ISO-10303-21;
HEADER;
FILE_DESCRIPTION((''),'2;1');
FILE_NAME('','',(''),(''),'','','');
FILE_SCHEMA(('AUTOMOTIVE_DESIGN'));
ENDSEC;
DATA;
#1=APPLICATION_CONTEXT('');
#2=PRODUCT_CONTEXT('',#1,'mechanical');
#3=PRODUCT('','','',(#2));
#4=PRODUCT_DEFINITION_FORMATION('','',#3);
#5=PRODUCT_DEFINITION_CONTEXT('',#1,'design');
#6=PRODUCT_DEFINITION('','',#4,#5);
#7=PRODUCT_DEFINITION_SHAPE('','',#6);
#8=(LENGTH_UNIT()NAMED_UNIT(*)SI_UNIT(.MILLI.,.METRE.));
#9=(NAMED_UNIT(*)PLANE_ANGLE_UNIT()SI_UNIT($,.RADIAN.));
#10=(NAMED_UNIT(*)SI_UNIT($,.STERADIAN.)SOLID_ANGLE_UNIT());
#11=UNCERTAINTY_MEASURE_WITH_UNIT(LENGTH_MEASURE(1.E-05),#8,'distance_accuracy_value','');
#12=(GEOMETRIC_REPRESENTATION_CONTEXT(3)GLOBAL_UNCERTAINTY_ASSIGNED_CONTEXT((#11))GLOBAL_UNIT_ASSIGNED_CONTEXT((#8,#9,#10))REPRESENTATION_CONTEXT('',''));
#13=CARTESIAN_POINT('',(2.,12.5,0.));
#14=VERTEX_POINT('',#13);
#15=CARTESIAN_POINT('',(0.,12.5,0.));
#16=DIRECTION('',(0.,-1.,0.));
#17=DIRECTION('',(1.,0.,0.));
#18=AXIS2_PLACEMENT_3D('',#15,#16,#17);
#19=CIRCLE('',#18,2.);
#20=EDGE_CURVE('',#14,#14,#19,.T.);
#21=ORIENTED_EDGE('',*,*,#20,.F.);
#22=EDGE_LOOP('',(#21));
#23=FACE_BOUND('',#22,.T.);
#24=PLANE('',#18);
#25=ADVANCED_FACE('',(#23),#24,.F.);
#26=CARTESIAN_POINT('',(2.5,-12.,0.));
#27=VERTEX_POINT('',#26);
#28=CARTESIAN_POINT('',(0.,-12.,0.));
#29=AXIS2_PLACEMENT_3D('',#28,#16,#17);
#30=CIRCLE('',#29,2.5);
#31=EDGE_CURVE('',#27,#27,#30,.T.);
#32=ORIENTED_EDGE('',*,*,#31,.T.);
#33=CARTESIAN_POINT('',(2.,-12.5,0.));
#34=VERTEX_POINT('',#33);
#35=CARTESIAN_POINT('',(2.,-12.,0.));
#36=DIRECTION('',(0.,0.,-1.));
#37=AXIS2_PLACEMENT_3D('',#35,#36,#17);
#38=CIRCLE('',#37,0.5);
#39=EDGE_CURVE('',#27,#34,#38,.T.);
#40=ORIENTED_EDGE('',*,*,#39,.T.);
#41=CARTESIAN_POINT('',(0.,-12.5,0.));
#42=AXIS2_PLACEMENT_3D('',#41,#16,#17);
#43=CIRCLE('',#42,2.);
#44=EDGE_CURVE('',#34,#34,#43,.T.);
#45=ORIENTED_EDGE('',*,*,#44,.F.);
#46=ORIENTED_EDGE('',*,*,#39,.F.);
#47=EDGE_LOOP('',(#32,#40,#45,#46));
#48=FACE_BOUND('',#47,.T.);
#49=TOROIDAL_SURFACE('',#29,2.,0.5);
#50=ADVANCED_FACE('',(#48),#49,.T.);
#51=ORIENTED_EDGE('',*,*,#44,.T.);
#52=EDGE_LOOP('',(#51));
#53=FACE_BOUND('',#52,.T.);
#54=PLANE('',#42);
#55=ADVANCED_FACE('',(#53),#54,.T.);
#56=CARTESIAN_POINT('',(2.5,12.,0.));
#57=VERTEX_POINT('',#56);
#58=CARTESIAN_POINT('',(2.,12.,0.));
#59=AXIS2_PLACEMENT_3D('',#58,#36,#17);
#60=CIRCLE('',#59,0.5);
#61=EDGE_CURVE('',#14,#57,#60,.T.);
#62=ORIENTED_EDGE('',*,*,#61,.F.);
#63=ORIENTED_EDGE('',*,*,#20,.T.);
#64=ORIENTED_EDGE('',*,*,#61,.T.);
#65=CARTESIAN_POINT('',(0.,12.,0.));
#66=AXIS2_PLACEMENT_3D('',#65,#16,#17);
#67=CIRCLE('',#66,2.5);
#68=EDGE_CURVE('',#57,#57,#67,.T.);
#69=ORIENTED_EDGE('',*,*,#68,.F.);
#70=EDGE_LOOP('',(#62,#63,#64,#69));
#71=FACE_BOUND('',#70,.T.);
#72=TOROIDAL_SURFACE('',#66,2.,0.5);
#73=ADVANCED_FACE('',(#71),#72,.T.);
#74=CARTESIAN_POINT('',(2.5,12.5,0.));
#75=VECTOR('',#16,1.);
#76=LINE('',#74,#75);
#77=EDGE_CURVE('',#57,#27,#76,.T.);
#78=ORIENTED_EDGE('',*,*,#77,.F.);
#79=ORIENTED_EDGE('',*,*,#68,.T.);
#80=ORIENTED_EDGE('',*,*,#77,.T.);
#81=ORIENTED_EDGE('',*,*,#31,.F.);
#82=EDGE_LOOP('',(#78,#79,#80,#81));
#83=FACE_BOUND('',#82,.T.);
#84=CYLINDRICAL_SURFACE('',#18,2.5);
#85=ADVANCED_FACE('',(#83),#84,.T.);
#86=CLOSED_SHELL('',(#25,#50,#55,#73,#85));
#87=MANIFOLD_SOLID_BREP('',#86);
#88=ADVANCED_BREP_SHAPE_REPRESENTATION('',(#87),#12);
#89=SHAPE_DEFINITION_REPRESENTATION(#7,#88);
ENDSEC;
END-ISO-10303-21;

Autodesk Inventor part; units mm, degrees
ref_plane "YZ Plane" through (0, 0, 0) normal (1, 0, 0) x (0, 1, 0)
ref_plane "XZ Plane" through (0, 0, 0) normal (0, 1, 0) x (-1, 0, 0)
ref_plane "XY Plane" through (0, 0, 0) normal (0, 0, 1) x (1, 0, 0)
sketch "Эскиз1" plane through (0, 0, 0) normal (0, 0, 1) x (1, 0, 0)
  line L0 (0, 12.5) -> (0, -12.5)
  line L1 (0, 12.5) -> (2.5, 12.5)
  line L2 (2.5, 12.5) -> (2.5, -12.5)
  line L3 (2.5, -12.5) -> (0, -12.5)
  line L4 (0, -12.5) -> (0, 12.5)
  point P0 (0, 0)
  point P1 (0, 0)
  dimension "d0" = 25
  dimension "d1" = 5
revolve "Вращение1" add sketch "Эскиз1" angle 360 about axis through (0, 12.5, 0) along (0, -1, 0)
fillet "Сопряжение1" radius 0.5 2 edges at (-2.5, 12.5, 0) (-2.5, -12.5, 0)
properties part number "76. Стопор"
